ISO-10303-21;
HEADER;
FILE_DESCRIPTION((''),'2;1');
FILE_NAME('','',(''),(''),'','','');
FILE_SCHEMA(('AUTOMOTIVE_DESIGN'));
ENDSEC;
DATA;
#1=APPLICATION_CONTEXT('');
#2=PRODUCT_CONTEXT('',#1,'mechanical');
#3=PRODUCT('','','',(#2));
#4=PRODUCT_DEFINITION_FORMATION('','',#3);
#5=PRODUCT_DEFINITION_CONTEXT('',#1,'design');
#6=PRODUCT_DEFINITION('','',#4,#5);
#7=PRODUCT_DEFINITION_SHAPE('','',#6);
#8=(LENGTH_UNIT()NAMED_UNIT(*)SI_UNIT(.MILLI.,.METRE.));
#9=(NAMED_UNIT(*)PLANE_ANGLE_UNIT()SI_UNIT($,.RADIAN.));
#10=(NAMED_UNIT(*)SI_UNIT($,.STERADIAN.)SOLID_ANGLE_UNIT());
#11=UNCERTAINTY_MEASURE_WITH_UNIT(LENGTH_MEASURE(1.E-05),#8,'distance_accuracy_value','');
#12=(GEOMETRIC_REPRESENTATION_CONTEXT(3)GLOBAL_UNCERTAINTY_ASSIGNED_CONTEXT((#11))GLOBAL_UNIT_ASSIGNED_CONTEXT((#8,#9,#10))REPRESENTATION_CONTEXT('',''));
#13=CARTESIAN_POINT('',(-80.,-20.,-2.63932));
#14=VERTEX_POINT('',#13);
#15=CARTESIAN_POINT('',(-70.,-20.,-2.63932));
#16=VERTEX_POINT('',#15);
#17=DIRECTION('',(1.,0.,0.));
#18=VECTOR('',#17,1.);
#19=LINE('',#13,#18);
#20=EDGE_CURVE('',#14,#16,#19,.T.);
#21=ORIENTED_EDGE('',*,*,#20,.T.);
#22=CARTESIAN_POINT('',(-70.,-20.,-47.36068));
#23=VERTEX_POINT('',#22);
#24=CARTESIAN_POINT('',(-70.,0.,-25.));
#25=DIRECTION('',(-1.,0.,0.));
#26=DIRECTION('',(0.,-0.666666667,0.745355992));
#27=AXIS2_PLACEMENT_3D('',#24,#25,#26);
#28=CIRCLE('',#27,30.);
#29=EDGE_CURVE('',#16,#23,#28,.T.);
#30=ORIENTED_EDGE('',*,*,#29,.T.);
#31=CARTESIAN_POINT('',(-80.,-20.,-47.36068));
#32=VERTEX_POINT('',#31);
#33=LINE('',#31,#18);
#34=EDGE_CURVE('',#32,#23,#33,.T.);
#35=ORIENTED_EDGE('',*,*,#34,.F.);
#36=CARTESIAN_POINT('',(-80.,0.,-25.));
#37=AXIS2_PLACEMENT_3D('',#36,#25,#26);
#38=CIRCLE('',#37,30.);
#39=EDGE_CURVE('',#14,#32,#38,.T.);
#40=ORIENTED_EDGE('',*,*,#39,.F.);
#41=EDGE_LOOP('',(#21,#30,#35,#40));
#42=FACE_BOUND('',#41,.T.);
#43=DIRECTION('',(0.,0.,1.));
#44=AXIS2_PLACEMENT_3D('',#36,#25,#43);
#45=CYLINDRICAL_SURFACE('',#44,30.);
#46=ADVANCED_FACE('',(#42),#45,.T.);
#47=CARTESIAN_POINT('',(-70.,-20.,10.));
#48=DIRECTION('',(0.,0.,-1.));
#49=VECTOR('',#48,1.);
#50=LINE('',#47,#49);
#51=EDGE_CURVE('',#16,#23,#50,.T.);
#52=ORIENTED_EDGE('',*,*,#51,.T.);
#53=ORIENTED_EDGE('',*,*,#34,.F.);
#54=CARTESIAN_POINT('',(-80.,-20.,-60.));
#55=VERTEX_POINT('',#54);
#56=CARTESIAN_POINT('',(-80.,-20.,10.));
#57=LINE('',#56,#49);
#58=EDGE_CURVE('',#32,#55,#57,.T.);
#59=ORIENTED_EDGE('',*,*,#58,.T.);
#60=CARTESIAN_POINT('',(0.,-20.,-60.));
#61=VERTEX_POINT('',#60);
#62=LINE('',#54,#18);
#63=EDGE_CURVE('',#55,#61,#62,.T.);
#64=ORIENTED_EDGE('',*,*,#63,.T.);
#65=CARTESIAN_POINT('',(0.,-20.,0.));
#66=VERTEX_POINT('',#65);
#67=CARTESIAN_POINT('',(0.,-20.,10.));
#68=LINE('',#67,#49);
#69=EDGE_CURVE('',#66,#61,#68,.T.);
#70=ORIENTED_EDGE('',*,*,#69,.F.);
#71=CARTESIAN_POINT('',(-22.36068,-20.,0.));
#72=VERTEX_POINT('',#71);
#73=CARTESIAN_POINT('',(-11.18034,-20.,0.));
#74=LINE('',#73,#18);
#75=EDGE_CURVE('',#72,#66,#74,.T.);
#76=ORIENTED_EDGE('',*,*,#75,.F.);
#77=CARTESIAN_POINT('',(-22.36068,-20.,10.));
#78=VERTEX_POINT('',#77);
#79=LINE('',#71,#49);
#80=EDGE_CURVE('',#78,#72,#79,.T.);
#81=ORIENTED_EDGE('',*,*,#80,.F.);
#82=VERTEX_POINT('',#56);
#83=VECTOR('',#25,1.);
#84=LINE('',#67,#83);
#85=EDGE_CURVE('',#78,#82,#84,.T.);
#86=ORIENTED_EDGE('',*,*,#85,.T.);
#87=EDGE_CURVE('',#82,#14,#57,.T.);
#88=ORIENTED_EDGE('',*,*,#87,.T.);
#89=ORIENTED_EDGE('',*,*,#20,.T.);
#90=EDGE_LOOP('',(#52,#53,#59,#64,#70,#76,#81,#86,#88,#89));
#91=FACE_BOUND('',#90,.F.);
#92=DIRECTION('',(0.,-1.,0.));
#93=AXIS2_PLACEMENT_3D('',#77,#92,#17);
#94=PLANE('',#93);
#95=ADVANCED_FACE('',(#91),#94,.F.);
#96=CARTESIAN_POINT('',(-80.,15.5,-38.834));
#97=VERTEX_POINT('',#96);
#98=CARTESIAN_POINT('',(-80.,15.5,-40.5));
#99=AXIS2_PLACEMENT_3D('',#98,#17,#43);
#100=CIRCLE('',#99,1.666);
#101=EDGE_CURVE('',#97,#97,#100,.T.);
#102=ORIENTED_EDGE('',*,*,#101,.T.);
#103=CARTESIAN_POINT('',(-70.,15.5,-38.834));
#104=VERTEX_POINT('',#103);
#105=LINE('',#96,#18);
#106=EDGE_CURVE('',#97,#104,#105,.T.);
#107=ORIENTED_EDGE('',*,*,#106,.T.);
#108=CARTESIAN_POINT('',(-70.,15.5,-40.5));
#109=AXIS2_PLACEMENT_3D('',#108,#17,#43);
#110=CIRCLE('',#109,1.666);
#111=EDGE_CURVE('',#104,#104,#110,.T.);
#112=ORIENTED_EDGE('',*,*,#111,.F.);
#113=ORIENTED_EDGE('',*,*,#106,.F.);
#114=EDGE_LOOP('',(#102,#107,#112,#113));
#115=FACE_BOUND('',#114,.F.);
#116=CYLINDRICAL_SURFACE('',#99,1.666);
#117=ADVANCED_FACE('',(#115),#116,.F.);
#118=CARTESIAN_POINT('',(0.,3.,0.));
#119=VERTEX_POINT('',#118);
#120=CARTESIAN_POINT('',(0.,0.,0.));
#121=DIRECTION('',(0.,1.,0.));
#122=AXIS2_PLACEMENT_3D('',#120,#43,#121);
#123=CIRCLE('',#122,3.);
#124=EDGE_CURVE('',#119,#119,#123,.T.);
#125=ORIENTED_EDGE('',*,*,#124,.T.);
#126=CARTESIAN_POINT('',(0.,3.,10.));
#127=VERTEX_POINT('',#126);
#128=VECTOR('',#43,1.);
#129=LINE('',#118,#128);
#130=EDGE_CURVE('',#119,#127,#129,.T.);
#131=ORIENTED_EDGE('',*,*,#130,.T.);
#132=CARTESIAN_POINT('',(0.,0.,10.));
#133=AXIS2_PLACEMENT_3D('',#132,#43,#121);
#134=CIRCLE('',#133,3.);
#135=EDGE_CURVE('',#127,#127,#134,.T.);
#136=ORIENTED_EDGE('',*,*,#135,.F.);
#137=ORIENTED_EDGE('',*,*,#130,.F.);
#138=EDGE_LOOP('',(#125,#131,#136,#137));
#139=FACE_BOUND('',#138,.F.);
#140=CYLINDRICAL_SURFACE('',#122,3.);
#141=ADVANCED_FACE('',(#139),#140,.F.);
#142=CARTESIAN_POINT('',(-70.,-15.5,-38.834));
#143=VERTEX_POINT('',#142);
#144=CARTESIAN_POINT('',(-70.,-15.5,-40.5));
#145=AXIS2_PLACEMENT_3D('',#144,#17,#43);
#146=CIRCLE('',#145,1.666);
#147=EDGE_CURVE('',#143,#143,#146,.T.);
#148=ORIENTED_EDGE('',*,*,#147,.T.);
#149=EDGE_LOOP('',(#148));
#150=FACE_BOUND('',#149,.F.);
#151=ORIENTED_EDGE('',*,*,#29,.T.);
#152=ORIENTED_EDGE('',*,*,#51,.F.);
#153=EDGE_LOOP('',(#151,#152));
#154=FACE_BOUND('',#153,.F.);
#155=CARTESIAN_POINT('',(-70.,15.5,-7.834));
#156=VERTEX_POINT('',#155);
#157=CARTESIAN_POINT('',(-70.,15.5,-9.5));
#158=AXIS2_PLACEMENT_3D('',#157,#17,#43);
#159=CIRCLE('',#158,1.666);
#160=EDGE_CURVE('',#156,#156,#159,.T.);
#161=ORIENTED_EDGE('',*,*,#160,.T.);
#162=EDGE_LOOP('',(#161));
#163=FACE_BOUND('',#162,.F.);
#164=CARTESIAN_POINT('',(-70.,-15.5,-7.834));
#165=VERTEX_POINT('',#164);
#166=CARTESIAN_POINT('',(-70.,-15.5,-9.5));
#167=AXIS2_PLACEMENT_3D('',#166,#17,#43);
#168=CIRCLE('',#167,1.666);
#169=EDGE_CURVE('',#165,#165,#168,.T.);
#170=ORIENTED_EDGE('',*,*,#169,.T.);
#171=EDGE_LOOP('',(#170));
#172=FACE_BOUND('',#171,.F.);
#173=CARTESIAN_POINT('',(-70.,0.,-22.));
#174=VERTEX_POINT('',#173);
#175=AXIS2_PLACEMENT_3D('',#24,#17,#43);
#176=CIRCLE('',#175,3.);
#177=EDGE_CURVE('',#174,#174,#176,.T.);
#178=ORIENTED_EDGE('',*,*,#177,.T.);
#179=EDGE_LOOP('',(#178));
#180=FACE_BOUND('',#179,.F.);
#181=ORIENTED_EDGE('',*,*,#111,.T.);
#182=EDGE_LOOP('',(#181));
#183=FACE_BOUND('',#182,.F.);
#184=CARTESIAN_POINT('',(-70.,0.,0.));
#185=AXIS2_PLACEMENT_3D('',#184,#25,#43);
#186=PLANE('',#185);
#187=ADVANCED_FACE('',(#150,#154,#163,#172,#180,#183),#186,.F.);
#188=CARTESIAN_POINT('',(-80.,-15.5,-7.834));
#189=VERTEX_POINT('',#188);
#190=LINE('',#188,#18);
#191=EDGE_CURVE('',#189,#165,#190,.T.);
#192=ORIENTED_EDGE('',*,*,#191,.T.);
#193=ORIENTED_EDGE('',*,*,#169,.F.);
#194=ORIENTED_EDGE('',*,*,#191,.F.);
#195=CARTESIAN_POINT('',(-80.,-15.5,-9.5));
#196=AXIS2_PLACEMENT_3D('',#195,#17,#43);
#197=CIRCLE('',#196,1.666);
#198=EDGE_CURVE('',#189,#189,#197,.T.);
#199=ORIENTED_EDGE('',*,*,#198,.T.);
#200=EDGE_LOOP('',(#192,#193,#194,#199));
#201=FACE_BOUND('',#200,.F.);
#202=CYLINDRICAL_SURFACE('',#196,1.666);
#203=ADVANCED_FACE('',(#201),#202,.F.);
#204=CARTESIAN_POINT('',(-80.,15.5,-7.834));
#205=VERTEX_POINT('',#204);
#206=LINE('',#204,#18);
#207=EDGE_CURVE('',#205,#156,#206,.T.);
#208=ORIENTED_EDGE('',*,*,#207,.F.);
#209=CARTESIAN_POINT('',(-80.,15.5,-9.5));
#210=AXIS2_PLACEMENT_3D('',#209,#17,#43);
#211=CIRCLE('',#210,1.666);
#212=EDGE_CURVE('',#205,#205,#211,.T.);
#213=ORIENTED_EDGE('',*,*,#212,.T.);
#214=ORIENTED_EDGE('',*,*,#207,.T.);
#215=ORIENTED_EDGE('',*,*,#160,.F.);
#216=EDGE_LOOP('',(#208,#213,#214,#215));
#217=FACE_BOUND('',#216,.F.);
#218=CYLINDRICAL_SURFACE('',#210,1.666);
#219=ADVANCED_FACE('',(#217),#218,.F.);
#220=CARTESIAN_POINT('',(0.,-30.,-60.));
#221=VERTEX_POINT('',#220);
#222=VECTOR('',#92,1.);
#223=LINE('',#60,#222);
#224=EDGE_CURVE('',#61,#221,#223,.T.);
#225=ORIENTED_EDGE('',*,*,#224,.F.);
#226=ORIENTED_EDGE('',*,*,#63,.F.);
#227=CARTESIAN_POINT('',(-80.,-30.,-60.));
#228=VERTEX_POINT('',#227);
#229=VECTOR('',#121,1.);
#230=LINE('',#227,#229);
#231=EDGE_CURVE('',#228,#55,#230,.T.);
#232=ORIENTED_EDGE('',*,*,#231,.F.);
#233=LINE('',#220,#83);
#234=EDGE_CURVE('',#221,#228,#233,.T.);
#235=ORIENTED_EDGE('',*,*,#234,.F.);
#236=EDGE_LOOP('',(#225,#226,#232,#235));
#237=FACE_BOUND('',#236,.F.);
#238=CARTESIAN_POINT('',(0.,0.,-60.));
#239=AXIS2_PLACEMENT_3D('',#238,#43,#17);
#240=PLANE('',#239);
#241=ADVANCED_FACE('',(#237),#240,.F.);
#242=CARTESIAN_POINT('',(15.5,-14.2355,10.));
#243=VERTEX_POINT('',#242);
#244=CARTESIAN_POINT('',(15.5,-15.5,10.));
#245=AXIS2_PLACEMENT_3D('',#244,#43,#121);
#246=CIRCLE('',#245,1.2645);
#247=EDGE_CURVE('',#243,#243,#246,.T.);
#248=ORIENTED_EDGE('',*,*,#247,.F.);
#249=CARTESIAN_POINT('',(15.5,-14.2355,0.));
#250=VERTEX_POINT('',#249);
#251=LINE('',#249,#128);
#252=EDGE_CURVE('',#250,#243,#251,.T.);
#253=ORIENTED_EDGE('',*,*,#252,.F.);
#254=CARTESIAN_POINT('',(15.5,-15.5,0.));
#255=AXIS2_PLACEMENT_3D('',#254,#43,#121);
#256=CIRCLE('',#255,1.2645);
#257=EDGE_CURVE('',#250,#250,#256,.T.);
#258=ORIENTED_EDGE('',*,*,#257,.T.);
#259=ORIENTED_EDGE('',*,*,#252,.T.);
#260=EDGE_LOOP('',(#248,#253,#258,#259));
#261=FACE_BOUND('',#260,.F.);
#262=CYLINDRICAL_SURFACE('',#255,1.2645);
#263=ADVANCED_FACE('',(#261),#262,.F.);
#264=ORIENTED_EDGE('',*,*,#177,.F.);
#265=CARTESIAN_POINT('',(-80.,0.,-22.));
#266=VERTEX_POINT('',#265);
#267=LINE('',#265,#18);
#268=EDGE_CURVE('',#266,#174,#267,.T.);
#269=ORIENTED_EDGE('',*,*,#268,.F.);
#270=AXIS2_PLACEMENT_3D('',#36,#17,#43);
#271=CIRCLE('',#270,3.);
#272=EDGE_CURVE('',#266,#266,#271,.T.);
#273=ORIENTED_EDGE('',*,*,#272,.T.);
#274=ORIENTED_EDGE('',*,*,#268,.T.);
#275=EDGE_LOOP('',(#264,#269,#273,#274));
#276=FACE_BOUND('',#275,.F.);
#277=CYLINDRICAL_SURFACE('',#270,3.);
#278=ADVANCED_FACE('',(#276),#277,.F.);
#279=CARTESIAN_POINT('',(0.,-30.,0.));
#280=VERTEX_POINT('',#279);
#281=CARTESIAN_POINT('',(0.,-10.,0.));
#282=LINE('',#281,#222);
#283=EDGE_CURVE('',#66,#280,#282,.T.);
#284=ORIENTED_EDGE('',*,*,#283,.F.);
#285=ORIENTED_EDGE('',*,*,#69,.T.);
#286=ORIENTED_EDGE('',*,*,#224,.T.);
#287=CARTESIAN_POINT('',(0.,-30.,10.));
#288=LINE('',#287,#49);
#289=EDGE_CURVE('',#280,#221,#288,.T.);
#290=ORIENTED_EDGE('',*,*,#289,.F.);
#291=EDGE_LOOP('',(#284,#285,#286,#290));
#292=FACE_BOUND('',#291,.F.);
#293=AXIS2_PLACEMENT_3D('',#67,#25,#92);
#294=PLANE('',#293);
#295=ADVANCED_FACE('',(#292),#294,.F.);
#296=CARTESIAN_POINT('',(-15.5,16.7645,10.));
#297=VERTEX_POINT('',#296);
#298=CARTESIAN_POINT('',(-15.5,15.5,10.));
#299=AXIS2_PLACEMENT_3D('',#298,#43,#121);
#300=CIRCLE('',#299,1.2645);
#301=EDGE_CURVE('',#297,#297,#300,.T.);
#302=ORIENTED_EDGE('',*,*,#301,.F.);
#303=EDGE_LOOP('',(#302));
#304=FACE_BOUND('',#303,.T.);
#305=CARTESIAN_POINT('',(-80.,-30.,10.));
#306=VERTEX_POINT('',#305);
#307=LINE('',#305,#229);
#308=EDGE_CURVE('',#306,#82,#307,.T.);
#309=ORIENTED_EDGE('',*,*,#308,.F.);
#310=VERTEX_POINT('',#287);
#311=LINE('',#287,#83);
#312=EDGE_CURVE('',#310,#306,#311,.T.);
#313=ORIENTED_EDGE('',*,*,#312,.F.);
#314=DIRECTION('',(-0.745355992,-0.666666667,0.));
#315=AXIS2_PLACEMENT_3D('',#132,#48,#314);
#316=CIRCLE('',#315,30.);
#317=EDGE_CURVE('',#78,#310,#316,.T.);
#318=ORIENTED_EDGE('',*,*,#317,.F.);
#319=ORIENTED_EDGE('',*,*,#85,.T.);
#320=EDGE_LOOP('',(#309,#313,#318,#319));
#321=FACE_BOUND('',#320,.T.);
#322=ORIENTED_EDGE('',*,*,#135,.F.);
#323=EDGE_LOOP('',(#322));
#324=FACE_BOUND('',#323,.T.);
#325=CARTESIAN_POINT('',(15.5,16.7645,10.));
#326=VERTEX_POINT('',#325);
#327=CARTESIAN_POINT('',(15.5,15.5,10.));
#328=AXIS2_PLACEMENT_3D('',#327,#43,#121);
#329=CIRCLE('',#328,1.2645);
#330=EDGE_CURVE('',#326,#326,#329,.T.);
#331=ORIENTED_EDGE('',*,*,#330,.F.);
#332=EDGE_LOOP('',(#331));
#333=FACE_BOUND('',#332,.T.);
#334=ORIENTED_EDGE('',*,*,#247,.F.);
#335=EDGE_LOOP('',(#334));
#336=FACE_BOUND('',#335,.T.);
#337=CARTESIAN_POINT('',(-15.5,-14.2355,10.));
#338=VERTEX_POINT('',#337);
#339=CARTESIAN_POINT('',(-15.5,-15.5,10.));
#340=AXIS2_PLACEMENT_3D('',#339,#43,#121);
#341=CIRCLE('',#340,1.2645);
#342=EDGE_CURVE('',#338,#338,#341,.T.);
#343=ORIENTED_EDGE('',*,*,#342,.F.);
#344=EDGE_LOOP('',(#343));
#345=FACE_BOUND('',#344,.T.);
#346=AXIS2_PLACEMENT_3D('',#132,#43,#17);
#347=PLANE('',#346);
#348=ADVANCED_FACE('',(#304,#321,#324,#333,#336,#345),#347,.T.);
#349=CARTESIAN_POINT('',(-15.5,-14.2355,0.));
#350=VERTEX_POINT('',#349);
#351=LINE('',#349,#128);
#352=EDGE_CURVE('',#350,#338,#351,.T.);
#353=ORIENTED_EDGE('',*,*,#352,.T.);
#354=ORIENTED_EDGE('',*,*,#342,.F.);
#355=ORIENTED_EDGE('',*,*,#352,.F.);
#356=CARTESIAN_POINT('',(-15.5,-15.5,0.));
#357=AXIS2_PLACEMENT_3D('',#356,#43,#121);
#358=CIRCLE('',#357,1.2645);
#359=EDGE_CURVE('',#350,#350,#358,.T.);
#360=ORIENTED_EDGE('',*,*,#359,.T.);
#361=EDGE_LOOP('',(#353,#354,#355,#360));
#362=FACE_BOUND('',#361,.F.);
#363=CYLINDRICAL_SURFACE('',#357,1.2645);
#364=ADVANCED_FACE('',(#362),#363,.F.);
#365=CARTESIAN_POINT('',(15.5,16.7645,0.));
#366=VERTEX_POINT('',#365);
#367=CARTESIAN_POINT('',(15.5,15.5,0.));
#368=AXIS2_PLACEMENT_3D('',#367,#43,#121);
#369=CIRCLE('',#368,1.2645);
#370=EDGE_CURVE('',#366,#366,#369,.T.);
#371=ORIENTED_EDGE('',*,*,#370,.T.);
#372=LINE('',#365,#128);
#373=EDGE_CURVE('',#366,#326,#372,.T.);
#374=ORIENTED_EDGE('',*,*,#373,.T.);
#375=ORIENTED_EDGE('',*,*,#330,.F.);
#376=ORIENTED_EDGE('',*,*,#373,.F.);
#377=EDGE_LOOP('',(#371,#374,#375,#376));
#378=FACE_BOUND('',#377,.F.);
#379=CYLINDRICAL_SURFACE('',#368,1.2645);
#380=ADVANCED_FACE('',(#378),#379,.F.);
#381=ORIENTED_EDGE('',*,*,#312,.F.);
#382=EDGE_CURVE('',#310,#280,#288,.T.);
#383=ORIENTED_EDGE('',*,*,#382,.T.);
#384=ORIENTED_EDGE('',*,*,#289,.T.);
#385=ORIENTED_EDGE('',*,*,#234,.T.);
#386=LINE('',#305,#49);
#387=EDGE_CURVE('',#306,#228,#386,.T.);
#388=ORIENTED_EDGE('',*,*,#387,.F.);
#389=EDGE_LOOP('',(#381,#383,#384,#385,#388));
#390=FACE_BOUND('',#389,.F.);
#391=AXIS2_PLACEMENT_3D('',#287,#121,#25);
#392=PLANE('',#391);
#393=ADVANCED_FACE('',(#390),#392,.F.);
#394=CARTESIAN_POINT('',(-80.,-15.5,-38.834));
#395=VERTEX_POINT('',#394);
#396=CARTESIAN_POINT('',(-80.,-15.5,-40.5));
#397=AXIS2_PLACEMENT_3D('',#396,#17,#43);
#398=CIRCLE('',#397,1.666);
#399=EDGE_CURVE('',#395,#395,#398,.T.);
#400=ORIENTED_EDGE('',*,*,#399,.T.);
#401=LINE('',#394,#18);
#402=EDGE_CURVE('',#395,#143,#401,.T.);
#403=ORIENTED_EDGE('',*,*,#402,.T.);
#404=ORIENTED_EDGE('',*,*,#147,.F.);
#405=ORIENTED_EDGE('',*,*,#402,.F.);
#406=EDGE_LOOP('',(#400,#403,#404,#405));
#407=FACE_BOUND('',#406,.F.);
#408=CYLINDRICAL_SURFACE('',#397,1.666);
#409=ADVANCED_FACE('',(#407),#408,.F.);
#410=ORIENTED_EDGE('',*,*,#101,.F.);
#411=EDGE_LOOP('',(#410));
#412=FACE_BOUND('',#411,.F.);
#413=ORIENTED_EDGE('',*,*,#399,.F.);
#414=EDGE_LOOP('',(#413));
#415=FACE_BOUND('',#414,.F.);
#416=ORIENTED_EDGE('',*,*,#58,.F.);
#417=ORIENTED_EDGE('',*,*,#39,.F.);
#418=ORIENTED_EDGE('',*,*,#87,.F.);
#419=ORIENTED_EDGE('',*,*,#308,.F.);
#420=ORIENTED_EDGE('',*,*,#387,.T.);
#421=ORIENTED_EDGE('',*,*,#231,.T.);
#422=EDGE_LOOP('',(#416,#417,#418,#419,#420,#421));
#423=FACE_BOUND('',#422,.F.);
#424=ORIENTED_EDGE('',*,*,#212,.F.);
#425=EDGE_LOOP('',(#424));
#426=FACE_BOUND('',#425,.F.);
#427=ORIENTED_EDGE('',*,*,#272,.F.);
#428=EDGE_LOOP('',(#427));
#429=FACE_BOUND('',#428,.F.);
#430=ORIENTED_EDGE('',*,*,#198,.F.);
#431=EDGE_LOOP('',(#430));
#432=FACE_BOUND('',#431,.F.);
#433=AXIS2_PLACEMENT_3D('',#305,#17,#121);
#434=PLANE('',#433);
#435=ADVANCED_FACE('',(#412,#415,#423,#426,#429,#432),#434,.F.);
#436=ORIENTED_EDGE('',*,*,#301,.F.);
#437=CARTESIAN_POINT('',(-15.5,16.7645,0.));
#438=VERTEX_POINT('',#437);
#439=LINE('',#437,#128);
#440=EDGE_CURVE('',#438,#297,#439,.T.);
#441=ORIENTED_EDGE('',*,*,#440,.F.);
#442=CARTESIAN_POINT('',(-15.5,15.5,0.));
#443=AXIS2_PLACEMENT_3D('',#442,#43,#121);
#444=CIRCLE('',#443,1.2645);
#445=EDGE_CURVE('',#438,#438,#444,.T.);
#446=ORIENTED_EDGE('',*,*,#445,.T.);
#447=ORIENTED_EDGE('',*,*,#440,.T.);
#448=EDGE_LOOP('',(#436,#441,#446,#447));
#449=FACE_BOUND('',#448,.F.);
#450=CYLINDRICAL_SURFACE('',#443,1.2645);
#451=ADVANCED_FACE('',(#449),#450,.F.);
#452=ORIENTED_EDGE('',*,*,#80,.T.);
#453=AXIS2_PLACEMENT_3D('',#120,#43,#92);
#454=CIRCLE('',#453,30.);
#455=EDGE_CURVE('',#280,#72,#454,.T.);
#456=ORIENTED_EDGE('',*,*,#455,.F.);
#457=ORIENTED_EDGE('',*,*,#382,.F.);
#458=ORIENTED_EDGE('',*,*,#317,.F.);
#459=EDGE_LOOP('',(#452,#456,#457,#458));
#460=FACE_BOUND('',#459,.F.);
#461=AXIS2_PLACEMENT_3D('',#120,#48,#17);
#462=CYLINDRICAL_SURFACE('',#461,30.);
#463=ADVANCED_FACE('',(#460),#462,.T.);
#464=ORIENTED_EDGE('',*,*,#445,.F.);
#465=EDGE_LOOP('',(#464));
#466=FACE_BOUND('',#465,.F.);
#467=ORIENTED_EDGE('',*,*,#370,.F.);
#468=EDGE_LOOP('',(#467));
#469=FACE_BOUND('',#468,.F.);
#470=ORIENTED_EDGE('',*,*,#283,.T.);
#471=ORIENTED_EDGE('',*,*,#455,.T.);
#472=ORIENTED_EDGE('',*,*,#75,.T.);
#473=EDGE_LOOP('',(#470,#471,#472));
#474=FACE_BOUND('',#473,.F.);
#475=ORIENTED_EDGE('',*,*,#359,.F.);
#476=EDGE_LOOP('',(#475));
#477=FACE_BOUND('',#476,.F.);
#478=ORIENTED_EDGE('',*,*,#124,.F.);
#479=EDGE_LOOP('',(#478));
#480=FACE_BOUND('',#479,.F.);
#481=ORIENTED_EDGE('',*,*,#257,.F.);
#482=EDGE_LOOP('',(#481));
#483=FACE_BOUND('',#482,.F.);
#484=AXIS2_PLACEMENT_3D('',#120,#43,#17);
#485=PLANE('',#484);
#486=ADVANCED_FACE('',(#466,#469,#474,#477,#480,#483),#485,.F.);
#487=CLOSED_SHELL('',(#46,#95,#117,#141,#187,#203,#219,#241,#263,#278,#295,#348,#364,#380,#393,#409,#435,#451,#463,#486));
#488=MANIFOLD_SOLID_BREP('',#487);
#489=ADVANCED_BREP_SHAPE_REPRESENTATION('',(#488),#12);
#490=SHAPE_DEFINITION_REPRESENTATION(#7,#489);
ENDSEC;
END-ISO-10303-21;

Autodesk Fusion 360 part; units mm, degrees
sketch "Sketch1" plane through (0, 0, 0) normal (0, 0, 1) x (1, 0, 0)
  circle A0 centre (0, 0) radius 30
  dimension "d1" = 60
extrude "Extrude1" add sketch "Sketch1" along normal blind 10
sketch "Sketch2" plane through (0, 0, 10) normal (0, 0, 1) x (1, 0, 0)
  circle A0 centre (0, 0) radius 30
  line L0 (0, -30) -> (-80, -30)
  line L1 (-80, -30) -> (-80, -20)
  line L2 (-80, -20) -> (0, -20)
  line L3 (0, -20) -> (0, -30)
  dimension "d4" = 80
  dimension "d5" = 10
extrude "Extrude2" add sketch "Sketch2" against normal blind 70 contours A0 L0 L1 L2 | A0 L2 L3 picked at (-1.3972, -26.5686)
sketch "Sketch3" plane through (-80, 0, 0) normal (-1, 0, 0) x (0, 0, 1)
  line L0 (10, -30) -> (10, -20)
  line L1 (10, -20) -> (-60, -20)
  line L2 (-60, -20) -> (-60, -30)
  line L3 (-60, -30) -> (10, -30)
  circle A0 centre (-25, 0) radius 30
  line L4 (-25, -30) -> (-25, 0) construction
  dimension "d8" = 60
extrude "Extrude3" add sketch "Sketch3" against normal blind 10 contours L1 A0 picked at (-32.7403, 15.1228)
sketch "Sketch4" plane through (0, 0, 0) normal (0, 0, -1) x (-1, 0, 0)
  line L0 (0, -30) -> (0, -20)
  line L1 (0, -20) -> (22.3607, -20)
  arc A0 (22.3607, -20) -> (0, -30) centre (0, 0) ccw
  line L2 (15.5, -15.5) -> (-15.5, -15.5)
  line L3 (-15.5, -15.5) -> (-15.5, 15.5)
  line L4 (-15.5, 15.5) -> (15.5, 15.5)
  line L5 (15.5, 15.5) -> (15.5, -15.5)
  line L6 (15.5, -15.5) -> (-15.5, 15.5) construction
  line L7 (-15.5, -15.5) -> (15.5, 15.5) construction
  dimension "d11" = 31
  dimension "d12" = 31
hole "Hole1" at (-15.5, 15.5, 0) at (15.5, 15.5, 0) at (15.5, -15.5, 0) at (-15.5, -15.5, 0) direction (0, 0, 1) diameter 2.529 depth 10 tip angle 118
hole "Hole2" at (0, 0, 0) direction (0, 0, 1) diameter 6 depth 10 tip angle 118
sketch "Sketch5" plane through (-80, 0, 0) normal (-1, 0, 0) x (0, 0, 1)
  line L0 (10, -30) -> (10, -20)
  line L1 (10, -20) -> (-2.6393, -20)
  arc A0 (-2.6393, -20) -> (-47.3607, -20) centre (-25, 0) ccw
  line L2 (-47.3607, -20) -> (-60, -20)
  line L3 (-60, -20) -> (-60, -30)
  line L4 (-60, -30) -> (10, -30)
  line L5 (-40.5, 15.5) -> (-9.5, 15.5)
  line L6 (-9.5, 15.5) -> (-9.5, -15.5)
  line L7 (-9.5, -15.5) -> (-40.5, -15.5)
  line L8 (-40.5, -15.5) -> (-40.5, 15.5)
  line L9 (-40.5, 15.5) -> (-9.5, -15.5) construction
  line L10 (-9.5, 15.5) -> (-40.5, -15.5) construction
  point P0 (-25, 0)
  dimension "d19" = 31
  dimension "d20" = 31
hole "Hole3" at (-80, 15.5, -40.5) at (-80, 15.5, -9.5) at (-80, -15.5, -40.5) at (-80, -15.5, -9.5) direction (1, 0, 0) diameter 3.332 depth 40 tip angle 118
hole "Hole4" at (-80, 0, -25) direction (1, 0, 0) diameter 6 depth 40 tip angle 118
